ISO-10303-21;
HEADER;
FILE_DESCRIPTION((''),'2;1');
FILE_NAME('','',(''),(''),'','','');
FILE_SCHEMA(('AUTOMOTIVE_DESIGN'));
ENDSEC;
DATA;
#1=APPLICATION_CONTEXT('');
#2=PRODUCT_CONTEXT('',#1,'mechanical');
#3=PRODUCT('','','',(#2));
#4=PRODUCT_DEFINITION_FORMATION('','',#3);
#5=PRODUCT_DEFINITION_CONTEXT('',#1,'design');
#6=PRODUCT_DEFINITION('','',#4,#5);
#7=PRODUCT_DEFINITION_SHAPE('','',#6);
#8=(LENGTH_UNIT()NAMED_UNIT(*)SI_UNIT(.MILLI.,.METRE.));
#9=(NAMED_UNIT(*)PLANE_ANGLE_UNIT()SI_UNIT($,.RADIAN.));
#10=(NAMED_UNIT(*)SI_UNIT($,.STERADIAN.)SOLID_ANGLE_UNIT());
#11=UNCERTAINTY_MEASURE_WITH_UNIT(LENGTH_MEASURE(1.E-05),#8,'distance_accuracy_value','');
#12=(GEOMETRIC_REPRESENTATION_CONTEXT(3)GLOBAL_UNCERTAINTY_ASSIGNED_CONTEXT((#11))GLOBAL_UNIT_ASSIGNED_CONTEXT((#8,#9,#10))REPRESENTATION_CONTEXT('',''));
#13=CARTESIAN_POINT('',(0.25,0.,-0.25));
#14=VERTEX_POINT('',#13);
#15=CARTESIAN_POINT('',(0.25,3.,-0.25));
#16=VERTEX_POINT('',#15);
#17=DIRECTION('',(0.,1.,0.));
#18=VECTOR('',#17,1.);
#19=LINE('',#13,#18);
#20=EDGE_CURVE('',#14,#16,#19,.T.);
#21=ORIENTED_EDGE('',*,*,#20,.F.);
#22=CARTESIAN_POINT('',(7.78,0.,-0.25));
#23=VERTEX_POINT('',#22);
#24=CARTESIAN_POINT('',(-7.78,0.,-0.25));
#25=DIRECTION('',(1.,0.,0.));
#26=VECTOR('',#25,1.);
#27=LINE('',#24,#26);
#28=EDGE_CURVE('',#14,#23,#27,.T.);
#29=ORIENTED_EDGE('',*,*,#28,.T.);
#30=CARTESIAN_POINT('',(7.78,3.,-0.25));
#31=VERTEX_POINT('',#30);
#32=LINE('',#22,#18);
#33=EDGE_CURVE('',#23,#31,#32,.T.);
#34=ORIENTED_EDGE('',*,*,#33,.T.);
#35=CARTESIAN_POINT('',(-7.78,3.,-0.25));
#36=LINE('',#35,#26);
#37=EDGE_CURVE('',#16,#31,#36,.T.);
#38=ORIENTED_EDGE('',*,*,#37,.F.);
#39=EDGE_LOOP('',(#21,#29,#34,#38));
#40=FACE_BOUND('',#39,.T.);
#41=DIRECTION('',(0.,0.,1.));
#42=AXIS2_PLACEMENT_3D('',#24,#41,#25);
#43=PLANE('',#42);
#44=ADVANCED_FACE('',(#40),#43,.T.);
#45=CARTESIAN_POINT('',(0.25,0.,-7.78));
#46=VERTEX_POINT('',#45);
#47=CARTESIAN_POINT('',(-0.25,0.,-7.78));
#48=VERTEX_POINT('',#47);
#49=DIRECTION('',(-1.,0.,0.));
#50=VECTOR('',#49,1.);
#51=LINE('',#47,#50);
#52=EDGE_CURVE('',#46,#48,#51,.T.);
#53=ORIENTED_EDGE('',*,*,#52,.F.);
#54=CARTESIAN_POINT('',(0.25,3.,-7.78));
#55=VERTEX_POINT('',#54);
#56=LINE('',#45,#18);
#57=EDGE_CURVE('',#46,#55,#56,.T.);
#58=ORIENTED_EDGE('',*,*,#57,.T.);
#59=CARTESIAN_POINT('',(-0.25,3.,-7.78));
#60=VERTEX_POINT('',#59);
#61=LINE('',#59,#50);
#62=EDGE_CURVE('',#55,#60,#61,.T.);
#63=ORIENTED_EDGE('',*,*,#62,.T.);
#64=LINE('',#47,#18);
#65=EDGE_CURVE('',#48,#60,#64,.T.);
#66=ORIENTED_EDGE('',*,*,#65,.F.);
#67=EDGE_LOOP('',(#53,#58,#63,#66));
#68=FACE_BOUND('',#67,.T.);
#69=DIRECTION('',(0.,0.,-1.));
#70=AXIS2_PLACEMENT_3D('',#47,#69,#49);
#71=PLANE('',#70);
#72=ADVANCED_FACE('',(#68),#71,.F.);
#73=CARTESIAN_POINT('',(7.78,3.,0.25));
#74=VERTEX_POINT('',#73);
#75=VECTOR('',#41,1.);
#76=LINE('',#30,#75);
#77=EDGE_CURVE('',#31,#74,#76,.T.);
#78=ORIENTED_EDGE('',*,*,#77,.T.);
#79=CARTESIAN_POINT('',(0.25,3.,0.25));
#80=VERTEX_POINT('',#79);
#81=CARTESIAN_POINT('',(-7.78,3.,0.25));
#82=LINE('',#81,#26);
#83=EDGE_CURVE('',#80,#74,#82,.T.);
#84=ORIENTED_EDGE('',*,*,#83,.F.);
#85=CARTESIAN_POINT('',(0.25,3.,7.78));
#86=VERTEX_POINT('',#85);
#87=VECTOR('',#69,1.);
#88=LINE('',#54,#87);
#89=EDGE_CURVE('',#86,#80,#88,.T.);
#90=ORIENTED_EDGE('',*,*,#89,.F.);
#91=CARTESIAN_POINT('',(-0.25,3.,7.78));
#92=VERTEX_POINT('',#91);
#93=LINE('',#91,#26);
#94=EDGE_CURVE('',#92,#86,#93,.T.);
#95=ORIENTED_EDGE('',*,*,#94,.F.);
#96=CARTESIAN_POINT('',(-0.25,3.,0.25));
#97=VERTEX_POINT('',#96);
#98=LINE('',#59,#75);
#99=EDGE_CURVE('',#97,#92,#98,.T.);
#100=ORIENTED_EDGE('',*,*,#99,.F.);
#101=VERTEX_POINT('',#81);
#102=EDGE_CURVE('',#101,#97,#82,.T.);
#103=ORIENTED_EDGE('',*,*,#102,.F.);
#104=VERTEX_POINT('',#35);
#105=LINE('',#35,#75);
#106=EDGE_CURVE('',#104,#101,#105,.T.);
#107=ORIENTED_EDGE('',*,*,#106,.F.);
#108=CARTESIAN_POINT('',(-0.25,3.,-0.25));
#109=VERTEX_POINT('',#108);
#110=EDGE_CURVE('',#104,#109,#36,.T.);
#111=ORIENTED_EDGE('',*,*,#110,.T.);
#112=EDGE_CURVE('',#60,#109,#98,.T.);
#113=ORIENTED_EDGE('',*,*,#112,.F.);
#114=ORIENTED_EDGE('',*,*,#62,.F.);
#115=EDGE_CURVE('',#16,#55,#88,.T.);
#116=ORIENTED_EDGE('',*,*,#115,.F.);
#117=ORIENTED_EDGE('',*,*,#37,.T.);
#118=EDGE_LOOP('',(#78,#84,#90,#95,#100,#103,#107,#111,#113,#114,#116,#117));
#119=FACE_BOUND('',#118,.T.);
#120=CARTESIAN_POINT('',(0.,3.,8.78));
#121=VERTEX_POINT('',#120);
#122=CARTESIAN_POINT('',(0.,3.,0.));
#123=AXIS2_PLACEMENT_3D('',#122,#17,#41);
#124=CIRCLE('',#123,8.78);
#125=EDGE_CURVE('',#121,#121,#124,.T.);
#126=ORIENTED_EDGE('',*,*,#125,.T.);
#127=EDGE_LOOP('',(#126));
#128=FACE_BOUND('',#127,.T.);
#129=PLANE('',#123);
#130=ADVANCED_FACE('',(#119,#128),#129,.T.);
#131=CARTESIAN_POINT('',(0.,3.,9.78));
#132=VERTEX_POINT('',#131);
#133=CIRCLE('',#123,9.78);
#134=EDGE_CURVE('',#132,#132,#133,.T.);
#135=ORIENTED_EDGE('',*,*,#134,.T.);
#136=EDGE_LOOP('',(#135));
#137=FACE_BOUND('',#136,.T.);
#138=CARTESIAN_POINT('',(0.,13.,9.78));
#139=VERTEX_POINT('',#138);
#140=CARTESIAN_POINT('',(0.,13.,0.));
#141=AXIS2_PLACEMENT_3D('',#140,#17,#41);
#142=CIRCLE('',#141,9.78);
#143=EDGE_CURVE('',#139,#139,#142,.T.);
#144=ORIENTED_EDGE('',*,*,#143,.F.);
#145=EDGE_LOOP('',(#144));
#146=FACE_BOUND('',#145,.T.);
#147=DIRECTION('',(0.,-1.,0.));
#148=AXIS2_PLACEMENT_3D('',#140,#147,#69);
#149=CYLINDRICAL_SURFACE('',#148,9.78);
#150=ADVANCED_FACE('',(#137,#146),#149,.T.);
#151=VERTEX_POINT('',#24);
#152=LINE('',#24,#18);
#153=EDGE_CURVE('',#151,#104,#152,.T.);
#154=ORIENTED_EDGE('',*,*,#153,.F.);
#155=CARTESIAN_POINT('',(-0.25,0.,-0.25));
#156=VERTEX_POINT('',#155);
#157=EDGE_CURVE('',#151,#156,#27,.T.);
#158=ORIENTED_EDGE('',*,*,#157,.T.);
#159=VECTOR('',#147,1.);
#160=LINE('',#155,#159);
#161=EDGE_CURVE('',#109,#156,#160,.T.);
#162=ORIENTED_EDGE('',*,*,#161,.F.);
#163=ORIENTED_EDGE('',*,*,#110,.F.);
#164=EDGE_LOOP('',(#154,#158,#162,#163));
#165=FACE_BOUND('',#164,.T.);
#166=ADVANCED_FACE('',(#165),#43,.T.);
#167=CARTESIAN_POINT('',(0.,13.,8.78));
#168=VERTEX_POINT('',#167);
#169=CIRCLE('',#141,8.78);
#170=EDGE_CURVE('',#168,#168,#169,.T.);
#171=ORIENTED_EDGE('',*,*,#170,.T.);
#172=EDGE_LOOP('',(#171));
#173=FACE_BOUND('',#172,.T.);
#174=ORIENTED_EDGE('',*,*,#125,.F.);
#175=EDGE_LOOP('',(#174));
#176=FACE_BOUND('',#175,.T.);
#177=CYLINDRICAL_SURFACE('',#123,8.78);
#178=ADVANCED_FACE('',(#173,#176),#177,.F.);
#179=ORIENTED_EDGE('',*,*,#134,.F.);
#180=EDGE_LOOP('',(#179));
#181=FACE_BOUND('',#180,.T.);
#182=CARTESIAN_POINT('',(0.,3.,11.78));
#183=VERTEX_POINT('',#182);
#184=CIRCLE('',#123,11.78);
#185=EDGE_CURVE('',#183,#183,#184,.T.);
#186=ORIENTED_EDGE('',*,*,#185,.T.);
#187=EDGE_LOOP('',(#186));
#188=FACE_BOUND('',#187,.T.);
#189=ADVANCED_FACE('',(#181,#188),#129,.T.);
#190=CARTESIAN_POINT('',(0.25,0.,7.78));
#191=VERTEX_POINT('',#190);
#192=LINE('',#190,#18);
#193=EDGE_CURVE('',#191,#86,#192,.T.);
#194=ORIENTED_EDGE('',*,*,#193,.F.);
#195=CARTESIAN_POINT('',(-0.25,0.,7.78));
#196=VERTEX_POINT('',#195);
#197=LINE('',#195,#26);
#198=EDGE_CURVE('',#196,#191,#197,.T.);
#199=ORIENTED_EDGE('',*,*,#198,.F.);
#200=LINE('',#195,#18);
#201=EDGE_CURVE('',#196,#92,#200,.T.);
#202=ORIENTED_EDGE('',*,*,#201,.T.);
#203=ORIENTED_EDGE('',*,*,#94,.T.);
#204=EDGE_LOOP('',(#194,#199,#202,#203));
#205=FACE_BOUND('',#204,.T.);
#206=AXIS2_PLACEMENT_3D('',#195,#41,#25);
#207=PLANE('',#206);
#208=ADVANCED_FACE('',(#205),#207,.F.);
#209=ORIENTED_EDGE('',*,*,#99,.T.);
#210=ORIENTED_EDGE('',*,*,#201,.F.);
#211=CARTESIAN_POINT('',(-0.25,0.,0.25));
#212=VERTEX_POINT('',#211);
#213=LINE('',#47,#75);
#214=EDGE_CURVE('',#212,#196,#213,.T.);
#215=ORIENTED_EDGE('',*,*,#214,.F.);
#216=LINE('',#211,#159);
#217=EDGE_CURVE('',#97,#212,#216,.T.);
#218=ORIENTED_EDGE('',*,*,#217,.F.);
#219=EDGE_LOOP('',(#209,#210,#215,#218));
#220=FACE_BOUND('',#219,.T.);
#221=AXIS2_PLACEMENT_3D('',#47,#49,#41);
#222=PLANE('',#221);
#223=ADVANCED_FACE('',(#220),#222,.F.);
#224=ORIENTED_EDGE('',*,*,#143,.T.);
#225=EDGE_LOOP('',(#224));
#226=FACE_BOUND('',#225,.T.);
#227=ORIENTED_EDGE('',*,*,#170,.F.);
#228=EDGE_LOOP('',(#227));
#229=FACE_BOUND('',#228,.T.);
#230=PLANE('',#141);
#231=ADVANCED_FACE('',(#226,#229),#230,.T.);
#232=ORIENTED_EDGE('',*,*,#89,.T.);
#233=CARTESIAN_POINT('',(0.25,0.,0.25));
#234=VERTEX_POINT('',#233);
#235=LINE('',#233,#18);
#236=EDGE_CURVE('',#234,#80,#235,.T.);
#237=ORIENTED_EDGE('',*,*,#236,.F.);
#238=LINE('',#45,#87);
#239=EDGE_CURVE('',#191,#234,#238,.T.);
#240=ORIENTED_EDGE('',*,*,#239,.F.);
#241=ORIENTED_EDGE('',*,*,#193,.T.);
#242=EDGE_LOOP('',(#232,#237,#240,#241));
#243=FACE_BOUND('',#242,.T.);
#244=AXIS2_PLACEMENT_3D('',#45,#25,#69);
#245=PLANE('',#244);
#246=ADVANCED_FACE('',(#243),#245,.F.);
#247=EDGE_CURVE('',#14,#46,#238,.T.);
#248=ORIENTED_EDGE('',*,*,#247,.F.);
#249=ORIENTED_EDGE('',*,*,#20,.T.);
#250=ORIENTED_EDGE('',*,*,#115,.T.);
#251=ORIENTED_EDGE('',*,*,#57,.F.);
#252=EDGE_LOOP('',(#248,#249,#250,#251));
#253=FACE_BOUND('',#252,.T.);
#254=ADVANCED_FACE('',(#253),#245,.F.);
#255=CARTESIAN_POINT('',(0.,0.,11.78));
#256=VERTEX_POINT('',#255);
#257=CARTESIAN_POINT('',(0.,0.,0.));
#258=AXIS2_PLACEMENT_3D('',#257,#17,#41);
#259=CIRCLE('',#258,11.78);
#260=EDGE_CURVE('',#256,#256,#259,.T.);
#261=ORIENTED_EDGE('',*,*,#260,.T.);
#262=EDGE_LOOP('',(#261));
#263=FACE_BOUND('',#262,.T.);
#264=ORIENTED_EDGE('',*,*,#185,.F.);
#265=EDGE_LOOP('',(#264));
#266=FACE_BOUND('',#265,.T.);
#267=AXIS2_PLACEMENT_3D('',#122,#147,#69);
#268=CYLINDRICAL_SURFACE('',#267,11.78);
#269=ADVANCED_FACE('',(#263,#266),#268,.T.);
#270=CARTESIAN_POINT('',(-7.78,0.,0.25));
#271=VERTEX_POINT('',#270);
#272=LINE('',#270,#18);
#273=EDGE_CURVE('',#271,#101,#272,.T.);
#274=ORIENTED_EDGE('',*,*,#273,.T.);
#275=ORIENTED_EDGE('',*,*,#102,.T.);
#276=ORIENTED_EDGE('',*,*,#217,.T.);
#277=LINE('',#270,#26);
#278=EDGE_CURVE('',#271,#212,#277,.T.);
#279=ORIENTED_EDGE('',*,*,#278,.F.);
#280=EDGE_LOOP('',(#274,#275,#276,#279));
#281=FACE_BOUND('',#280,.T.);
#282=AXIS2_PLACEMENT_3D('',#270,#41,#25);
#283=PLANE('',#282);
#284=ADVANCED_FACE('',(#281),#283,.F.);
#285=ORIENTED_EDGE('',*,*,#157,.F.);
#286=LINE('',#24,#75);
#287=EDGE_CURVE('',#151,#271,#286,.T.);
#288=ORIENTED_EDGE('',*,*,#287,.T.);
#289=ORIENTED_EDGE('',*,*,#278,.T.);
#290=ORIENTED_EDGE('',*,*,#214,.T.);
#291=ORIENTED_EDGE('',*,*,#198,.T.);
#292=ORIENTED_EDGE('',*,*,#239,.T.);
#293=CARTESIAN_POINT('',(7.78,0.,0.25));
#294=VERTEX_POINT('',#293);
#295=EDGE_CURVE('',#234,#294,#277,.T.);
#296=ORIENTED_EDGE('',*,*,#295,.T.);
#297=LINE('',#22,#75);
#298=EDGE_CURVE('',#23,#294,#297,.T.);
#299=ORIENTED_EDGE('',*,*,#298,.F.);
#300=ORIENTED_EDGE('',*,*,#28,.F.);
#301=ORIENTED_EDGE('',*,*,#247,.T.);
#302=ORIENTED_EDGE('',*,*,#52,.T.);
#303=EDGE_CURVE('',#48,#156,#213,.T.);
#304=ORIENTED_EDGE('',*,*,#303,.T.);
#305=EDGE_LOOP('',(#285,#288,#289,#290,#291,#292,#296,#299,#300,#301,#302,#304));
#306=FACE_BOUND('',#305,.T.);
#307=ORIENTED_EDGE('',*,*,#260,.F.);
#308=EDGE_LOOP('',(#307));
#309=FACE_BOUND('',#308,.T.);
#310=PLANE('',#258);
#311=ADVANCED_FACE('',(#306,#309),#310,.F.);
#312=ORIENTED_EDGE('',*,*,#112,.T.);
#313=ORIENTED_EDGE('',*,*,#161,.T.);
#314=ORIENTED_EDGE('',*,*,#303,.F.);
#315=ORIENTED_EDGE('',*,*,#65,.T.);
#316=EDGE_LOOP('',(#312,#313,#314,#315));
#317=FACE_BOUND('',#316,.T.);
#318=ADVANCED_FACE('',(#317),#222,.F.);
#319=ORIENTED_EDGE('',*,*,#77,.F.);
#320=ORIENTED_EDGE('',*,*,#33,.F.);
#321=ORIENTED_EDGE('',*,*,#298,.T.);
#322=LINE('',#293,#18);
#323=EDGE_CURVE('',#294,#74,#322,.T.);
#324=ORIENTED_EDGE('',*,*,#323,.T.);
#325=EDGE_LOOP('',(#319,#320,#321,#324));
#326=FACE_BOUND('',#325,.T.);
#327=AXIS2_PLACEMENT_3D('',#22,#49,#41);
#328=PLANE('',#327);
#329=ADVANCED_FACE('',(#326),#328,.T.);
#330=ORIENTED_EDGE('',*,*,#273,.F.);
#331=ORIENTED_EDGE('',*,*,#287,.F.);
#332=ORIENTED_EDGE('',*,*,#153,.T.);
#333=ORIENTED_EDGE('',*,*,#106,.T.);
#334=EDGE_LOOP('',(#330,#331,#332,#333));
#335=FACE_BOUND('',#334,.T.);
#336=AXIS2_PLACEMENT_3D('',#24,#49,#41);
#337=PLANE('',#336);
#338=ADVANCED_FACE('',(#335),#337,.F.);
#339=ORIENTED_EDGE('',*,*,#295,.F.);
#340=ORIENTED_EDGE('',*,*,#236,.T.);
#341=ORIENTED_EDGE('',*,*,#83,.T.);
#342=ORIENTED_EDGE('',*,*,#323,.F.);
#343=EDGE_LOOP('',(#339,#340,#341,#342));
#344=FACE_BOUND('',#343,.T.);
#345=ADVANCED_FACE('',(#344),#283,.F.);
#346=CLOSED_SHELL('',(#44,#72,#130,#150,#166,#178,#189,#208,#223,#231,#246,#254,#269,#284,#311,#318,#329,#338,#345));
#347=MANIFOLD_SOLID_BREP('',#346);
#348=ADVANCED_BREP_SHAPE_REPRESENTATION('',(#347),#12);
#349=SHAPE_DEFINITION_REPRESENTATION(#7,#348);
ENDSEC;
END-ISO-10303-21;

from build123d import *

# Parameters (mm, degrees)
SKETCH1_R           = 11.78
BOSS_EXTRUDE1_DEPTH = 3
SKETCH3_W           = 15.56
SKETCH3_H           = 0.5
CUT_EXTRUDE1_DEPTH  = 3
SKETCH4_W           = 0.5
SKETCH4_H           = 15.56
CUT_EXTRUDE2_DEPTH  = 3
SKETCH5_R           = 9.78
BOSS_EXTRUDE3_DEPTH = 10
SKETCH6_R           = 8.78
CUT_EXTRUDE3_DEPTH  = 10


with BuildPart() as part:
    # Sketch1 → Boss-Extrude1 (new body)
    with BuildSketch(Plane(origin=(0, 0, 0), x_dir=(1, 0, 0), z_dir=(0, 1, 0))):
        with Locations(Location((0, 0, 0), (0, 0, 270))):
            Circle(SKETCH1_R)
    extrude(amount=BOSS_EXTRUDE1_DEPTH)

    # Sketch3 → Cut-Extrude1 (cut)
    with BuildSketch(Plane(origin=(0, 3, 0), x_dir=(1, 0, 0), z_dir=(0, 1, 0))):
        Rectangle(SKETCH3_W, SKETCH3_H)
    extrude(amount=-CUT_EXTRUDE1_DEPTH, mode=Mode.SUBTRACT)

    # Sketch4 → Cut-Extrude2 (cut)
    with BuildSketch(Plane(origin=(0, 3, 0), x_dir=(1, 0, 0), z_dir=(0, 1, 0))):
        Rectangle(SKETCH4_W, SKETCH4_H)
    extrude(amount=-CUT_EXTRUDE2_DEPTH, mode=Mode.SUBTRACT)

    # Sketch5 → Boss-Extrude3 (add)
    with BuildSketch(Plane(origin=(0, 3, 0), x_dir=(1, 0, 0), z_dir=(0, 1, 0))):
        with Locations(Location((0, 0, 0), (0, 0, 270))):
            Circle(SKETCH5_R)
    extrude(amount=BOSS_EXTRUDE3_DEPTH)

    # Sketch6 → Cut-Extrude3 (cut)
    with BuildSketch(Plane(origin=(0, 13, 0), x_dir=(1, 0, 0), z_dir=(0, 1, 0))):
        with Locations(Location((0, 0, 0), (0, 0, 270))):
            Circle(SKETCH6_R)
    extrude(amount=-CUT_EXTRUDE3_DEPTH, mode=Mode.SUBTRACT)


solid = part.part
